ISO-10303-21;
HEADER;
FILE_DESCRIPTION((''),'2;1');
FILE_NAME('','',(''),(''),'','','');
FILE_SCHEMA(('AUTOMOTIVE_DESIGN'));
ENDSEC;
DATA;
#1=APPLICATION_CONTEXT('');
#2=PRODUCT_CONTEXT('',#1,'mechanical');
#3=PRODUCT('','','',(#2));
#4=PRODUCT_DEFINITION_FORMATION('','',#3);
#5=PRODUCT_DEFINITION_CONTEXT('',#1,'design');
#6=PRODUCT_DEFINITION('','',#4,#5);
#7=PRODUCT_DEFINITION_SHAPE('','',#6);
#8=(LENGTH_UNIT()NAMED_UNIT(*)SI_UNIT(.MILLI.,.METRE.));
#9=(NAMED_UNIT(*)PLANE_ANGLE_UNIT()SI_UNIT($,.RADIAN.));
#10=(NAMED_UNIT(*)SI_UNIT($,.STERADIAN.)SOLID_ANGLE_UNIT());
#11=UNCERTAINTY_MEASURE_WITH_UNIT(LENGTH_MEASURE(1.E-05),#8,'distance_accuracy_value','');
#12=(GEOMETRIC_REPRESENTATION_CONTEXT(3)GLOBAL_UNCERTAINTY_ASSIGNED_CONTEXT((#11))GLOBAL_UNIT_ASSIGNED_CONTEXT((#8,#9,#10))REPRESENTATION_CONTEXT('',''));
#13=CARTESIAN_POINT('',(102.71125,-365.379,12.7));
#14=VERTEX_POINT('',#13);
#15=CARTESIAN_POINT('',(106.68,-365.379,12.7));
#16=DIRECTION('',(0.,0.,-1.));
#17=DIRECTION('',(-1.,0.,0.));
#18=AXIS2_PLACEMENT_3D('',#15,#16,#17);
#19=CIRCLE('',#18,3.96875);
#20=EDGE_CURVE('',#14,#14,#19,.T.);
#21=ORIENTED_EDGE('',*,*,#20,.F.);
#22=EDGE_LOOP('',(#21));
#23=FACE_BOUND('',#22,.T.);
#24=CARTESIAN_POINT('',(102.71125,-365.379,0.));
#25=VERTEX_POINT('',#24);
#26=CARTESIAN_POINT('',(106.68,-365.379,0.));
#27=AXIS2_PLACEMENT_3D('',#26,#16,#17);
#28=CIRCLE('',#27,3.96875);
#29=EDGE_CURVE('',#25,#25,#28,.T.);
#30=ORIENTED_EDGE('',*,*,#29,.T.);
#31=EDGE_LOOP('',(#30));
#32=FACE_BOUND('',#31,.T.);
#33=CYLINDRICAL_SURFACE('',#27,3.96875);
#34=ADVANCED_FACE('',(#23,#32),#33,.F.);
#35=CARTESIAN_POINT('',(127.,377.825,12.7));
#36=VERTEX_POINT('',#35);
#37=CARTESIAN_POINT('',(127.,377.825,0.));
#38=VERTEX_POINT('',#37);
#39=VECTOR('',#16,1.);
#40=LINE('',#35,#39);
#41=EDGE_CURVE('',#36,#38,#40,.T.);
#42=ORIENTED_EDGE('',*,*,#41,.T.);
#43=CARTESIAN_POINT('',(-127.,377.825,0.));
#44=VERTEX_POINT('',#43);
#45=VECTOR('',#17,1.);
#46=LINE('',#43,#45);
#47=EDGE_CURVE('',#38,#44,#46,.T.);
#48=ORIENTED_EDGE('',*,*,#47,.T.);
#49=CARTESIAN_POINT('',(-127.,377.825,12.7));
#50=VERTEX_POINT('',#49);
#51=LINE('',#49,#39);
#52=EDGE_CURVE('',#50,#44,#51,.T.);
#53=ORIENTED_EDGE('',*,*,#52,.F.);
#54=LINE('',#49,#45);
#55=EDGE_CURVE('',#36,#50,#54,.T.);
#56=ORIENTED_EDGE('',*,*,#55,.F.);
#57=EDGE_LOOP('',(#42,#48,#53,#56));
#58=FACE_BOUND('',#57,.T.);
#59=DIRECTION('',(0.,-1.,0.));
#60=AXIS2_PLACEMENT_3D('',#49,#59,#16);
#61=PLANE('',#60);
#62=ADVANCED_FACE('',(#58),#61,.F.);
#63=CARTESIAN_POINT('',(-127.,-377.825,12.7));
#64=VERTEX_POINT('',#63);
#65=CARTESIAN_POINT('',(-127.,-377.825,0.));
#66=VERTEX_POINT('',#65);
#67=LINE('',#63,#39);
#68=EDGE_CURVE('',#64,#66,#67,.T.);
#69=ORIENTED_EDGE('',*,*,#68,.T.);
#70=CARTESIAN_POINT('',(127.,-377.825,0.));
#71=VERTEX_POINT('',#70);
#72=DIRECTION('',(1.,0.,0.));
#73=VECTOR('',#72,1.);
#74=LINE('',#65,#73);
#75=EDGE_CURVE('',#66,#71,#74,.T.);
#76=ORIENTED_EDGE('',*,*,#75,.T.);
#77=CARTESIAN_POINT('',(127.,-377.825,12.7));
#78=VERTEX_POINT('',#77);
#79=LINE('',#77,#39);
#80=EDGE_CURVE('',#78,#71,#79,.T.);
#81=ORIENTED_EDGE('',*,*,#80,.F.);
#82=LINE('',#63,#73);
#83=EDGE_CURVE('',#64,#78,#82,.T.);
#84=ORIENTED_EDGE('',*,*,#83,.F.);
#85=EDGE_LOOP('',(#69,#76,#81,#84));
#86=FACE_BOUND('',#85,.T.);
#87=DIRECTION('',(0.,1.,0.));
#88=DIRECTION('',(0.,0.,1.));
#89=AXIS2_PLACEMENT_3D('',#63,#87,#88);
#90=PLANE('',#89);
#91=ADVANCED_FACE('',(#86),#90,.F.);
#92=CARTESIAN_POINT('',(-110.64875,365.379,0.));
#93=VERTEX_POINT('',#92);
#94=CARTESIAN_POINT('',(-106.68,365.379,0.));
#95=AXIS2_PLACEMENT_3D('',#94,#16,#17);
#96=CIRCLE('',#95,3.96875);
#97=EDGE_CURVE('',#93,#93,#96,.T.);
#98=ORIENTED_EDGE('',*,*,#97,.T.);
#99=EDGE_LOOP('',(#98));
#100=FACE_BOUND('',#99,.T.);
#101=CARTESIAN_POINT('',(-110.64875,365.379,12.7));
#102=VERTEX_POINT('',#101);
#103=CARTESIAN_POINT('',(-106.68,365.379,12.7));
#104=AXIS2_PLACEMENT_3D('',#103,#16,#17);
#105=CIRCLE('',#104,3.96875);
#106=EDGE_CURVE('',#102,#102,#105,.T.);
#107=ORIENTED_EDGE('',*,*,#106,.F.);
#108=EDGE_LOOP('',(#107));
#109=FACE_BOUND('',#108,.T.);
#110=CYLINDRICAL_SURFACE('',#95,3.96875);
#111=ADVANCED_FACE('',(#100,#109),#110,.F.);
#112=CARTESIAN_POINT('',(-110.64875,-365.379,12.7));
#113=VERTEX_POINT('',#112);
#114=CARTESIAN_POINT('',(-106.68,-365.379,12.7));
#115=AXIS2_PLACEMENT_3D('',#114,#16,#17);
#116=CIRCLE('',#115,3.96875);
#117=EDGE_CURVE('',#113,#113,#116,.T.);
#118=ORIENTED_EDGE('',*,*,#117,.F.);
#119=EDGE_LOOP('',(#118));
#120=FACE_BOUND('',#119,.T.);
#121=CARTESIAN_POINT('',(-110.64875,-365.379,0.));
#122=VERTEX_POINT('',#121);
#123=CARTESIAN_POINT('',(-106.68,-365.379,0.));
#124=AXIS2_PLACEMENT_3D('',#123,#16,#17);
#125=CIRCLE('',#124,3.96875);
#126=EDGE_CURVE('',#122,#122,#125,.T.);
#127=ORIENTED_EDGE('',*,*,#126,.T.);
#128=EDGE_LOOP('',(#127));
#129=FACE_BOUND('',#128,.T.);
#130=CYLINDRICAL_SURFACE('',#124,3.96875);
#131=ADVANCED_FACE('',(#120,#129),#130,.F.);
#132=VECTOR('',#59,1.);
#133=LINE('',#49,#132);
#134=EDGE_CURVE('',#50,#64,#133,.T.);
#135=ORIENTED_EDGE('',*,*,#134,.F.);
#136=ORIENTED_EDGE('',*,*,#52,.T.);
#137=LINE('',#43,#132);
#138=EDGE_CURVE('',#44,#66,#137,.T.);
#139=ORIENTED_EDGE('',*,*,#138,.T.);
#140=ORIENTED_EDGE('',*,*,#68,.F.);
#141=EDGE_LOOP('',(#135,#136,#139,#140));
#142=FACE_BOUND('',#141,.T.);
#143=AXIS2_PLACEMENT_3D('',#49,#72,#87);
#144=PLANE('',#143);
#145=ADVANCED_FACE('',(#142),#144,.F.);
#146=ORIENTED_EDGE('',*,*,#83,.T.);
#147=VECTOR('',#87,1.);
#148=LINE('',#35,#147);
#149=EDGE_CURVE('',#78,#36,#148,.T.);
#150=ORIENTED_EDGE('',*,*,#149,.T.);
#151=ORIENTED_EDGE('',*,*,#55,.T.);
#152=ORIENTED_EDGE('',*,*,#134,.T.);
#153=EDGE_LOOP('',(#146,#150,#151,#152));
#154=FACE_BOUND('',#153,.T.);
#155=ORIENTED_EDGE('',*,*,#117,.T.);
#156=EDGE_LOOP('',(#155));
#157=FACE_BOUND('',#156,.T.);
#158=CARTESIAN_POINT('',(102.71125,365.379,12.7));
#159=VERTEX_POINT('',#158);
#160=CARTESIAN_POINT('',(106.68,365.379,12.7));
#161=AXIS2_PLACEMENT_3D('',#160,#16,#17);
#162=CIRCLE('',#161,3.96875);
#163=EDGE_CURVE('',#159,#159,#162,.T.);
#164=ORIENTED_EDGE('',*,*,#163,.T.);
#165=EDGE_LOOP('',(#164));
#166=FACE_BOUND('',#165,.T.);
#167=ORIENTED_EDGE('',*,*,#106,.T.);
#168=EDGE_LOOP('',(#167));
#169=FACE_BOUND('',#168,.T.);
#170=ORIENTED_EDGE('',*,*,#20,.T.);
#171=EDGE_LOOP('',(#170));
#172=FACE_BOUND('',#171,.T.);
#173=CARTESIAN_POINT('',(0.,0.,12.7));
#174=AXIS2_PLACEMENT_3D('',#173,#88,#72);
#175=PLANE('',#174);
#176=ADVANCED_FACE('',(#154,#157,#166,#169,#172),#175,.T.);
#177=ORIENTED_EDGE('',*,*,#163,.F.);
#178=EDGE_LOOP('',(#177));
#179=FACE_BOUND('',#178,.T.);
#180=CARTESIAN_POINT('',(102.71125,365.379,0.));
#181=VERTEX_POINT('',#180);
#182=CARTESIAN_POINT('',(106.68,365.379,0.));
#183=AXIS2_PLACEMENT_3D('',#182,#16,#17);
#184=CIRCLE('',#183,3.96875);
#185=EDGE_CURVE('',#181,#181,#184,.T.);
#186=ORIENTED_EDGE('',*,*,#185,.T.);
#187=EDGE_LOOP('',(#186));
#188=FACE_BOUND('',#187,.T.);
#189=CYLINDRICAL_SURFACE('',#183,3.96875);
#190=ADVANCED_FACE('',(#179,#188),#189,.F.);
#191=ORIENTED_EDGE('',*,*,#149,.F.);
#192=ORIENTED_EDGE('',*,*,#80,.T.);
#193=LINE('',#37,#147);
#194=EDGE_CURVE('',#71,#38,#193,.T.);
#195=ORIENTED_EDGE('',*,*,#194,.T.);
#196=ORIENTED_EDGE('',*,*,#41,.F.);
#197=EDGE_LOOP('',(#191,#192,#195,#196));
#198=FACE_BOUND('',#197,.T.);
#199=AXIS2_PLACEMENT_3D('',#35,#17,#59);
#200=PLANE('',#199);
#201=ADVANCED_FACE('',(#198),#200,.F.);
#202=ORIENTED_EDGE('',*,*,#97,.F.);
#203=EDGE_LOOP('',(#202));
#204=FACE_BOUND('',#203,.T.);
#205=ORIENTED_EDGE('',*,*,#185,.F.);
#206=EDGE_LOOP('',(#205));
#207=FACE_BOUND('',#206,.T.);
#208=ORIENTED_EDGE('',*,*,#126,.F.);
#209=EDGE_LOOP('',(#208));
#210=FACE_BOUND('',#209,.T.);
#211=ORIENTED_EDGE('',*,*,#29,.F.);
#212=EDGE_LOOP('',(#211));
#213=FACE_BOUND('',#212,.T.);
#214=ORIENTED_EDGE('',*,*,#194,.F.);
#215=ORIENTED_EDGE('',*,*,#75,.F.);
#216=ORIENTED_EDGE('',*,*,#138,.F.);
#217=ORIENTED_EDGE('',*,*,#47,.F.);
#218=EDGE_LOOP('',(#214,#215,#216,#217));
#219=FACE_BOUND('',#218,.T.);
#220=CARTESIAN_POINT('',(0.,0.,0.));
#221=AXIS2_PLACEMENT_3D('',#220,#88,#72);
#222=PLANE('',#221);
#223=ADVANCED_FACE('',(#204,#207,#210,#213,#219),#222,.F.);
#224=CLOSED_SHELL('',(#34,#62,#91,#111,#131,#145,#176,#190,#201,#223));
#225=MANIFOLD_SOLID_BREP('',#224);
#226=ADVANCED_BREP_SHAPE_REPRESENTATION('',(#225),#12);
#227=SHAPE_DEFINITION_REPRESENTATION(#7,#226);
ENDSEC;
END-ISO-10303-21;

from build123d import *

# Parameters (mm, degrees)
SKETCH1_W                      = 254
SKETCH1_H                      = 755.65
BOSS_EXTRUDE1_DEPTH            = 12.7
F_5_16_0_3125_DIAMETER_HOLE1_D = 7.9375


with BuildPart() as part:
    # Sketch1 → Boss-Extrude1 (new body)
    with BuildSketch(Plane.XY):
        Rectangle(SKETCH1_W, SKETCH1_H)
    extrude(amount=BOSS_EXTRUDE1_DEPTH)

    # 5/16 (0.3125) Diameter Hole1 (through all)
    with Locations(Plane(origin=(0, 0, 0), x_dir=(-1, 0, 0), z_dir=(0, 0, -1))):
        with Locations((-106.68, 365.379), (106.68, 365.379), (-106.68, -365.379), (106.68, -365.379)):
            Hole(F_5_16_0_3125_DIAMETER_HOLE1_D / 2)


solid = part.part
